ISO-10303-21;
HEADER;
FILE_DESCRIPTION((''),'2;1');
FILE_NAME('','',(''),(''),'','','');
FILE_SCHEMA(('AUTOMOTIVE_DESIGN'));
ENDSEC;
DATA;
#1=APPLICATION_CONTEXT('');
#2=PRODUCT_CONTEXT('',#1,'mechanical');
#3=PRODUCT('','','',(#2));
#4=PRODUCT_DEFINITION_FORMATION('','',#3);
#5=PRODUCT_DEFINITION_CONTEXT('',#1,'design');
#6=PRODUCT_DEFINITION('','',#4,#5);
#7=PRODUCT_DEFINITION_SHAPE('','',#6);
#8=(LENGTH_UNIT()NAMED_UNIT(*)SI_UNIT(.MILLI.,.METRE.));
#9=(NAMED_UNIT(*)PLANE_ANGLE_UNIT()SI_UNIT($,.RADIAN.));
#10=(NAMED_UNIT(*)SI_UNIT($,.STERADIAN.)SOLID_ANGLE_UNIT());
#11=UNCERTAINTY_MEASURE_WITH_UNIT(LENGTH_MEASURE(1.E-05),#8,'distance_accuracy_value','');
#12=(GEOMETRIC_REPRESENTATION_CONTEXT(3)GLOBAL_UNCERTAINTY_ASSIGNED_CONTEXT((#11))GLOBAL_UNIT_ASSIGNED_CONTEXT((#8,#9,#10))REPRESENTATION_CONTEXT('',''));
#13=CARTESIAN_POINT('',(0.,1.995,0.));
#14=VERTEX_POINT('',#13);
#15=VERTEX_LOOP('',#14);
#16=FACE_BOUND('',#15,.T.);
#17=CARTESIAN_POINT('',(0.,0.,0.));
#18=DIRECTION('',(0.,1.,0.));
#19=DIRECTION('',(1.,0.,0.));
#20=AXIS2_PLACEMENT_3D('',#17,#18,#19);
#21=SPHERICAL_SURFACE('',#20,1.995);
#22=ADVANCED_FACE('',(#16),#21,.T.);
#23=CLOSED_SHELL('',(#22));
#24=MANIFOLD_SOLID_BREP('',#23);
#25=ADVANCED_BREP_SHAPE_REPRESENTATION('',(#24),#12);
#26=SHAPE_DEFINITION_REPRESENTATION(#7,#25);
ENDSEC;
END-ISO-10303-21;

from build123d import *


with BuildPart() as part:
    # Sketch1 → Revolve1 (revolve)
    with BuildSketch(Plane.XY):
        with BuildLine():
            Line((0, 1.995), (0, -1.995))
            ThreePointArc((0, -1.995), (1.995, 0), (0, 1.995))
        make_face()
    revolve(axis=Axis((0, 1.995, 0), (0, -1, 0)))


solid = part.part
